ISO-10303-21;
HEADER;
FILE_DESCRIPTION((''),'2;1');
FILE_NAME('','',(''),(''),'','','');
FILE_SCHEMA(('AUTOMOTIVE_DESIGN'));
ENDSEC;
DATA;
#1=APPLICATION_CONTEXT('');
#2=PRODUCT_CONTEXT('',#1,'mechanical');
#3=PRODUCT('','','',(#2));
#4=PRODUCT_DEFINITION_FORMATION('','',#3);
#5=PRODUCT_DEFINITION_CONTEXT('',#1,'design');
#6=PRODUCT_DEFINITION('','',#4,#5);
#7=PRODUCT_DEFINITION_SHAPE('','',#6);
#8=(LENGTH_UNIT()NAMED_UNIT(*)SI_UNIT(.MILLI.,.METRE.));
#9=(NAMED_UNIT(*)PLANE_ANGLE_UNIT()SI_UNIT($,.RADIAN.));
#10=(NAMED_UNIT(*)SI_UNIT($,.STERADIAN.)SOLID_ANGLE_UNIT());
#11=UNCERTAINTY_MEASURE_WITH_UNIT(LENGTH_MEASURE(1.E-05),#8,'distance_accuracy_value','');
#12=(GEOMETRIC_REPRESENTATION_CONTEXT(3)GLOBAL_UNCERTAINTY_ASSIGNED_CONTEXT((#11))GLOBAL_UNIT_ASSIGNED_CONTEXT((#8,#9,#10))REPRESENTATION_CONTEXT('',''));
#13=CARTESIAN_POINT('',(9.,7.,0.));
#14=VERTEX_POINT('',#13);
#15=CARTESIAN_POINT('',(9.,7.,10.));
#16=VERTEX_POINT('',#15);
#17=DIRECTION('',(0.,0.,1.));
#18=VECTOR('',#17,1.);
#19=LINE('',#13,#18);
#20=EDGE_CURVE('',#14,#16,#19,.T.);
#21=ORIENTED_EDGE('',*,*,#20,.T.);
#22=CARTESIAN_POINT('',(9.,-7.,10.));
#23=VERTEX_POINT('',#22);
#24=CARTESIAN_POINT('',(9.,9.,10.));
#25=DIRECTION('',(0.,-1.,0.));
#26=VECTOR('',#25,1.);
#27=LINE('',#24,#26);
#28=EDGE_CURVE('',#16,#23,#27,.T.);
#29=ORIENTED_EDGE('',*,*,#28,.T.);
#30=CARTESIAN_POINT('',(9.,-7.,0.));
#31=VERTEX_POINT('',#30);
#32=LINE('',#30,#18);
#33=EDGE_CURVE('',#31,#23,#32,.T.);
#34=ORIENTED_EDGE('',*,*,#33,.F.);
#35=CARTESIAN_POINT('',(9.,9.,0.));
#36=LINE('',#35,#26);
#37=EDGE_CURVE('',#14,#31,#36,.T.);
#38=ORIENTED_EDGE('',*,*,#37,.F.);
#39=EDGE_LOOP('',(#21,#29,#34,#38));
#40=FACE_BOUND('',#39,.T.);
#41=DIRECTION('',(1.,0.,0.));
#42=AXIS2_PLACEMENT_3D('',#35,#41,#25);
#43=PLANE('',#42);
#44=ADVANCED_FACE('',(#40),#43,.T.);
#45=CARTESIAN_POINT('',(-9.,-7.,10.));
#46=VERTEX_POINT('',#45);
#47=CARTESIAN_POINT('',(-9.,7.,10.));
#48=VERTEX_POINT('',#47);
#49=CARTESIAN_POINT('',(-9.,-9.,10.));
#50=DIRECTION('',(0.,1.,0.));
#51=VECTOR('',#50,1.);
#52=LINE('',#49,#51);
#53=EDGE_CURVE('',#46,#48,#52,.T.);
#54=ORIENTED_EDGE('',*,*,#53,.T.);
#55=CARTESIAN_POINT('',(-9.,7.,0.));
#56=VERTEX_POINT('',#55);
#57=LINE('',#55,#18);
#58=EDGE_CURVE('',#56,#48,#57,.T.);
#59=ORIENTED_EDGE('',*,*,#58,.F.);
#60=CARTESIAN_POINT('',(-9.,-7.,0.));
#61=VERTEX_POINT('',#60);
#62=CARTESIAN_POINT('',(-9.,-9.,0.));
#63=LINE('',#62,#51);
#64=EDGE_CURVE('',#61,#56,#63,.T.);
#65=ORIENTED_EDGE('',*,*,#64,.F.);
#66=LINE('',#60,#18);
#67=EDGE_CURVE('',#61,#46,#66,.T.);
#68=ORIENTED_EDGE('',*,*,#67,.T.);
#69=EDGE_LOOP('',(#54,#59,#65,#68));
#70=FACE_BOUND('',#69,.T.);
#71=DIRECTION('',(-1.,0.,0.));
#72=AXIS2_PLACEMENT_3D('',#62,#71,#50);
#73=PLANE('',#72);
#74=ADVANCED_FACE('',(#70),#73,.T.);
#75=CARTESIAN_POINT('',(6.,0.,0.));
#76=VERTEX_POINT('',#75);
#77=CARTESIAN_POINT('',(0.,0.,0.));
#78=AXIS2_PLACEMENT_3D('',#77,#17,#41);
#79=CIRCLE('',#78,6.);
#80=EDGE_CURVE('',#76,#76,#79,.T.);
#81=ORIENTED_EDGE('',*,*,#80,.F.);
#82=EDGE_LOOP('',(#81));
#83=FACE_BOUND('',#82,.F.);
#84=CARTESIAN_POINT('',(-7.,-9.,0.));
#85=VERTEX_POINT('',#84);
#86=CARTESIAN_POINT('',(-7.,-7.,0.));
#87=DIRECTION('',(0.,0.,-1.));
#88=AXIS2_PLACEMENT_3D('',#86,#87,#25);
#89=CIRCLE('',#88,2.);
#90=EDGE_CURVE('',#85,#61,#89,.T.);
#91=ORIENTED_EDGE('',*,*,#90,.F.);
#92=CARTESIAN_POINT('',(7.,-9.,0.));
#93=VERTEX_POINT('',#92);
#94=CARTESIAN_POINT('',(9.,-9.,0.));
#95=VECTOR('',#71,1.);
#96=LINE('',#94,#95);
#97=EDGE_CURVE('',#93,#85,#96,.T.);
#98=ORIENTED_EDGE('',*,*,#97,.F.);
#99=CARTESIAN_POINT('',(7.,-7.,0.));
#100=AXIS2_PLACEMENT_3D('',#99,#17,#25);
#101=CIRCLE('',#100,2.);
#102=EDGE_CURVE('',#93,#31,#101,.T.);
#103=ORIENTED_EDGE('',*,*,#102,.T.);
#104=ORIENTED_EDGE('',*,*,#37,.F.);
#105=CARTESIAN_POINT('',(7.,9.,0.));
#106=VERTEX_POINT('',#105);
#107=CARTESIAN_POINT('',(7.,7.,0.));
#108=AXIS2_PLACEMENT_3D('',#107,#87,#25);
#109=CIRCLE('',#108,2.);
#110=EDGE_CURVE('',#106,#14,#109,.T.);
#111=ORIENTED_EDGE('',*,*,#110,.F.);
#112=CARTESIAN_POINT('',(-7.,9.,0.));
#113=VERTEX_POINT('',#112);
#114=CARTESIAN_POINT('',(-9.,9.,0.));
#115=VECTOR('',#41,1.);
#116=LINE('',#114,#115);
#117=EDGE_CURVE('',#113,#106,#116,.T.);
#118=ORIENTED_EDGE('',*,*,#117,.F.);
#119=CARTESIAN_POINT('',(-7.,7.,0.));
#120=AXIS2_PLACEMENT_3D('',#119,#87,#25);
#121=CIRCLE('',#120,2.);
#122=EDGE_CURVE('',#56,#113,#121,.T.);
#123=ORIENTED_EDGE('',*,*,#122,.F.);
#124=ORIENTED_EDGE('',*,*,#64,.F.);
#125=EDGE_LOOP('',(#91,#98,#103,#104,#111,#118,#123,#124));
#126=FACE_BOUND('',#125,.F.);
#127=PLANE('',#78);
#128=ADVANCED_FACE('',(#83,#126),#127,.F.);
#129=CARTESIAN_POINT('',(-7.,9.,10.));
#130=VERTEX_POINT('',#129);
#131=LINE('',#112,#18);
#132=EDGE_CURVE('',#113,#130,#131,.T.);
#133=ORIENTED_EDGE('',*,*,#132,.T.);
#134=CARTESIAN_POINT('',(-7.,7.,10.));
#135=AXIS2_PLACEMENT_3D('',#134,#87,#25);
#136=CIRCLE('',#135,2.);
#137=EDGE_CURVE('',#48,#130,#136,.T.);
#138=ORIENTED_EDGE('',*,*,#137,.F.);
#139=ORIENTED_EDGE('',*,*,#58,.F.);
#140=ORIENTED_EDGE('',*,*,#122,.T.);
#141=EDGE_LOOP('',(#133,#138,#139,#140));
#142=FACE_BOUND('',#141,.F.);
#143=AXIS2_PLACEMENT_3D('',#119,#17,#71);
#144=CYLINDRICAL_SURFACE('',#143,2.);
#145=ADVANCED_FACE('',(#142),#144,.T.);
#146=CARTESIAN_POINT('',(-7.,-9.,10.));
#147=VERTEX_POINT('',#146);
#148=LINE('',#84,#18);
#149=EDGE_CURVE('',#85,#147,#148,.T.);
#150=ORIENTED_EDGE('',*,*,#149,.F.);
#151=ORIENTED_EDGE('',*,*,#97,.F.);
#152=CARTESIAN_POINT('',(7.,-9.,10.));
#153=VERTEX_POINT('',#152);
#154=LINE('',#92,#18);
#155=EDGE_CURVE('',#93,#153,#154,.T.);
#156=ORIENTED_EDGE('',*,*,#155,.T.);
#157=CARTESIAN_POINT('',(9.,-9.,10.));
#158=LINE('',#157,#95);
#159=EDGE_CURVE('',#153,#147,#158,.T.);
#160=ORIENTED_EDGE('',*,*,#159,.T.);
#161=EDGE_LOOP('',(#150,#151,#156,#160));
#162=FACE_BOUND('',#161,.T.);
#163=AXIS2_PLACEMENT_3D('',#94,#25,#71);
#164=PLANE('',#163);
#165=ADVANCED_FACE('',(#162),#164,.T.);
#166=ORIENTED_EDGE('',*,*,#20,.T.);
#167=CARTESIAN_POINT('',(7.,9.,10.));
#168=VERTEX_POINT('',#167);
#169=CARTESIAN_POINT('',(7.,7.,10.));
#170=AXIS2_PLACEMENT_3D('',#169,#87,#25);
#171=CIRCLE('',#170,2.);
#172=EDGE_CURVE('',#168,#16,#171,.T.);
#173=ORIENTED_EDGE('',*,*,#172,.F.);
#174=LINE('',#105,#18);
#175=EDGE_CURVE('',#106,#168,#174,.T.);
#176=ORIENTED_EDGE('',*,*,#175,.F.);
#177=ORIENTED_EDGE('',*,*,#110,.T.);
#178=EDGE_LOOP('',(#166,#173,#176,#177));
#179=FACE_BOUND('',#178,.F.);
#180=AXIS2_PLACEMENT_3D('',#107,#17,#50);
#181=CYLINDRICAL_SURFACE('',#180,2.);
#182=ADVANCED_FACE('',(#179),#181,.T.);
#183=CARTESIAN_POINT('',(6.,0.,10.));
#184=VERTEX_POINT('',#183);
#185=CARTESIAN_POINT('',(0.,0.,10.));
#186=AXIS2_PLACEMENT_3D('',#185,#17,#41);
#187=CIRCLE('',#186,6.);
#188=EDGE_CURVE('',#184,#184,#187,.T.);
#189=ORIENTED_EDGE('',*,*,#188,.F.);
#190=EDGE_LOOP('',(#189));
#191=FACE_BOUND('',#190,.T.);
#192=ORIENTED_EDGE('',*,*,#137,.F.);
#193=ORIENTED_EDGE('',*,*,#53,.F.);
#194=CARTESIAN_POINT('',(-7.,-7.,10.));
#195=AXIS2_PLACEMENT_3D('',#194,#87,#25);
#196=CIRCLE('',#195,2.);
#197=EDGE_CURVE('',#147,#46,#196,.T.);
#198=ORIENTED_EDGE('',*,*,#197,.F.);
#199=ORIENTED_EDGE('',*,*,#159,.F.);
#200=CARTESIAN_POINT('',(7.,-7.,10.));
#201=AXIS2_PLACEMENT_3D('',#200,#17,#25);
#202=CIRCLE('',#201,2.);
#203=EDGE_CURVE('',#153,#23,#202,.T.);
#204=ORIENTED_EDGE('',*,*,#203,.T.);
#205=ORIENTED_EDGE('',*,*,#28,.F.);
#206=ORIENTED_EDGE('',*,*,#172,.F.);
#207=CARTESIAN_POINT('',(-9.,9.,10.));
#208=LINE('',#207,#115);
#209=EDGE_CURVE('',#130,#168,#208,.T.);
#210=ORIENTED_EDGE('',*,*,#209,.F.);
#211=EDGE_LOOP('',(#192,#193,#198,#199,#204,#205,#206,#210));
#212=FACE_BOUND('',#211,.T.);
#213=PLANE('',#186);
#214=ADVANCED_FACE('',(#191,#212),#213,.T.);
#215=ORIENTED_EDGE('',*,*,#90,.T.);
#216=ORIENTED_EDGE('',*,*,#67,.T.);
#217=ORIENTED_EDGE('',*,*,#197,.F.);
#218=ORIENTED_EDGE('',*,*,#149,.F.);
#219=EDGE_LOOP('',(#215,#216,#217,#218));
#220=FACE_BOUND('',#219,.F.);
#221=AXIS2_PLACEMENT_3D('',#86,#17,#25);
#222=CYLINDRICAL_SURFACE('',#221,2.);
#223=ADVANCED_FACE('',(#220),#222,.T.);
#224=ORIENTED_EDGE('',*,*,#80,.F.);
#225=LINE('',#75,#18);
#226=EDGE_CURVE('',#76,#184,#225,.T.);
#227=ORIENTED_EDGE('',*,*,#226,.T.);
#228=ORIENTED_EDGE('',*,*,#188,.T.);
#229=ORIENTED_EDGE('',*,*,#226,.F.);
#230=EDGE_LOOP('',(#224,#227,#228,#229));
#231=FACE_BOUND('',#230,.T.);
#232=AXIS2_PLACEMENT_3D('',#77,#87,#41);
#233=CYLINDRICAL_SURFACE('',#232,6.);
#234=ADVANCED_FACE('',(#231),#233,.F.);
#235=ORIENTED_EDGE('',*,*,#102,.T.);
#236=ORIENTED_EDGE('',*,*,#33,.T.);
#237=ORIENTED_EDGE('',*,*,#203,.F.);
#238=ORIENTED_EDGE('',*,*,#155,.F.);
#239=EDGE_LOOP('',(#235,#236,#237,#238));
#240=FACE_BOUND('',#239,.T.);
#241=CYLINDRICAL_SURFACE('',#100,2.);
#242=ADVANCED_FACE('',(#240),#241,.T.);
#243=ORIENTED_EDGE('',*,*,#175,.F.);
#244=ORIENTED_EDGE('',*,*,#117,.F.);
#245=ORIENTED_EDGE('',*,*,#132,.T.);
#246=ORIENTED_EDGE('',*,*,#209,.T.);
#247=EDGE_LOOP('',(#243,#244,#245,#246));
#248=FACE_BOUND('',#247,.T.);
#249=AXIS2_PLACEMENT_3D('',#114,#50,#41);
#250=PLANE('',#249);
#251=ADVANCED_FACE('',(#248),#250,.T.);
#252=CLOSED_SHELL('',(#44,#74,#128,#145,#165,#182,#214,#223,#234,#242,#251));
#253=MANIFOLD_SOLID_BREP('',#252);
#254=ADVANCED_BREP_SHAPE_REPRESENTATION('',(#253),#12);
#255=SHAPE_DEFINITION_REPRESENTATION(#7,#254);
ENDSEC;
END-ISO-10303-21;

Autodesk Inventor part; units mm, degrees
ref_plane "YZ Plane" through (0, 0, 0) normal (1, 0, 0) x (0, 1, 0)
ref_plane "XZ Plane" through (0, 0, 0) normal (0, 1, 0) x (-1, 0, 0)
ref_plane "XY Plane" through (0, 0, 0) normal (0, 0, 1) x (1, 0, 0)
sketch "Skizze1" plane through (0, 0, 0) normal (0, 0, 1) x (1, 0, 0)
  line L0 (9, -9) -> (-9, -9)
  line L1 (-9, -9) -> (-9, 9)
  line L2 (-9, 9) -> (9, 9)
  line L3 (9, 9) -> (9, -9)
  line L4 (9, -9) -> (-9, 9) construction
  line L5 (-9, -9) -> (9, 9) construction
  circle A0 centre (0, 0) radius 6
  dimension "d0" = 18
  dimension "d1" = 18
  dimension "d2" = 12
extrude "Extrusion1" add sketch "Skizze1" along normal blind 10
fillet "Rundung1" radius 2 4 edges at (9, 9, 5) (-9, 9, 5) (9, -9, 5) (-9, -9, 5)
properties part number "00_CCTV_M12_VCM"
